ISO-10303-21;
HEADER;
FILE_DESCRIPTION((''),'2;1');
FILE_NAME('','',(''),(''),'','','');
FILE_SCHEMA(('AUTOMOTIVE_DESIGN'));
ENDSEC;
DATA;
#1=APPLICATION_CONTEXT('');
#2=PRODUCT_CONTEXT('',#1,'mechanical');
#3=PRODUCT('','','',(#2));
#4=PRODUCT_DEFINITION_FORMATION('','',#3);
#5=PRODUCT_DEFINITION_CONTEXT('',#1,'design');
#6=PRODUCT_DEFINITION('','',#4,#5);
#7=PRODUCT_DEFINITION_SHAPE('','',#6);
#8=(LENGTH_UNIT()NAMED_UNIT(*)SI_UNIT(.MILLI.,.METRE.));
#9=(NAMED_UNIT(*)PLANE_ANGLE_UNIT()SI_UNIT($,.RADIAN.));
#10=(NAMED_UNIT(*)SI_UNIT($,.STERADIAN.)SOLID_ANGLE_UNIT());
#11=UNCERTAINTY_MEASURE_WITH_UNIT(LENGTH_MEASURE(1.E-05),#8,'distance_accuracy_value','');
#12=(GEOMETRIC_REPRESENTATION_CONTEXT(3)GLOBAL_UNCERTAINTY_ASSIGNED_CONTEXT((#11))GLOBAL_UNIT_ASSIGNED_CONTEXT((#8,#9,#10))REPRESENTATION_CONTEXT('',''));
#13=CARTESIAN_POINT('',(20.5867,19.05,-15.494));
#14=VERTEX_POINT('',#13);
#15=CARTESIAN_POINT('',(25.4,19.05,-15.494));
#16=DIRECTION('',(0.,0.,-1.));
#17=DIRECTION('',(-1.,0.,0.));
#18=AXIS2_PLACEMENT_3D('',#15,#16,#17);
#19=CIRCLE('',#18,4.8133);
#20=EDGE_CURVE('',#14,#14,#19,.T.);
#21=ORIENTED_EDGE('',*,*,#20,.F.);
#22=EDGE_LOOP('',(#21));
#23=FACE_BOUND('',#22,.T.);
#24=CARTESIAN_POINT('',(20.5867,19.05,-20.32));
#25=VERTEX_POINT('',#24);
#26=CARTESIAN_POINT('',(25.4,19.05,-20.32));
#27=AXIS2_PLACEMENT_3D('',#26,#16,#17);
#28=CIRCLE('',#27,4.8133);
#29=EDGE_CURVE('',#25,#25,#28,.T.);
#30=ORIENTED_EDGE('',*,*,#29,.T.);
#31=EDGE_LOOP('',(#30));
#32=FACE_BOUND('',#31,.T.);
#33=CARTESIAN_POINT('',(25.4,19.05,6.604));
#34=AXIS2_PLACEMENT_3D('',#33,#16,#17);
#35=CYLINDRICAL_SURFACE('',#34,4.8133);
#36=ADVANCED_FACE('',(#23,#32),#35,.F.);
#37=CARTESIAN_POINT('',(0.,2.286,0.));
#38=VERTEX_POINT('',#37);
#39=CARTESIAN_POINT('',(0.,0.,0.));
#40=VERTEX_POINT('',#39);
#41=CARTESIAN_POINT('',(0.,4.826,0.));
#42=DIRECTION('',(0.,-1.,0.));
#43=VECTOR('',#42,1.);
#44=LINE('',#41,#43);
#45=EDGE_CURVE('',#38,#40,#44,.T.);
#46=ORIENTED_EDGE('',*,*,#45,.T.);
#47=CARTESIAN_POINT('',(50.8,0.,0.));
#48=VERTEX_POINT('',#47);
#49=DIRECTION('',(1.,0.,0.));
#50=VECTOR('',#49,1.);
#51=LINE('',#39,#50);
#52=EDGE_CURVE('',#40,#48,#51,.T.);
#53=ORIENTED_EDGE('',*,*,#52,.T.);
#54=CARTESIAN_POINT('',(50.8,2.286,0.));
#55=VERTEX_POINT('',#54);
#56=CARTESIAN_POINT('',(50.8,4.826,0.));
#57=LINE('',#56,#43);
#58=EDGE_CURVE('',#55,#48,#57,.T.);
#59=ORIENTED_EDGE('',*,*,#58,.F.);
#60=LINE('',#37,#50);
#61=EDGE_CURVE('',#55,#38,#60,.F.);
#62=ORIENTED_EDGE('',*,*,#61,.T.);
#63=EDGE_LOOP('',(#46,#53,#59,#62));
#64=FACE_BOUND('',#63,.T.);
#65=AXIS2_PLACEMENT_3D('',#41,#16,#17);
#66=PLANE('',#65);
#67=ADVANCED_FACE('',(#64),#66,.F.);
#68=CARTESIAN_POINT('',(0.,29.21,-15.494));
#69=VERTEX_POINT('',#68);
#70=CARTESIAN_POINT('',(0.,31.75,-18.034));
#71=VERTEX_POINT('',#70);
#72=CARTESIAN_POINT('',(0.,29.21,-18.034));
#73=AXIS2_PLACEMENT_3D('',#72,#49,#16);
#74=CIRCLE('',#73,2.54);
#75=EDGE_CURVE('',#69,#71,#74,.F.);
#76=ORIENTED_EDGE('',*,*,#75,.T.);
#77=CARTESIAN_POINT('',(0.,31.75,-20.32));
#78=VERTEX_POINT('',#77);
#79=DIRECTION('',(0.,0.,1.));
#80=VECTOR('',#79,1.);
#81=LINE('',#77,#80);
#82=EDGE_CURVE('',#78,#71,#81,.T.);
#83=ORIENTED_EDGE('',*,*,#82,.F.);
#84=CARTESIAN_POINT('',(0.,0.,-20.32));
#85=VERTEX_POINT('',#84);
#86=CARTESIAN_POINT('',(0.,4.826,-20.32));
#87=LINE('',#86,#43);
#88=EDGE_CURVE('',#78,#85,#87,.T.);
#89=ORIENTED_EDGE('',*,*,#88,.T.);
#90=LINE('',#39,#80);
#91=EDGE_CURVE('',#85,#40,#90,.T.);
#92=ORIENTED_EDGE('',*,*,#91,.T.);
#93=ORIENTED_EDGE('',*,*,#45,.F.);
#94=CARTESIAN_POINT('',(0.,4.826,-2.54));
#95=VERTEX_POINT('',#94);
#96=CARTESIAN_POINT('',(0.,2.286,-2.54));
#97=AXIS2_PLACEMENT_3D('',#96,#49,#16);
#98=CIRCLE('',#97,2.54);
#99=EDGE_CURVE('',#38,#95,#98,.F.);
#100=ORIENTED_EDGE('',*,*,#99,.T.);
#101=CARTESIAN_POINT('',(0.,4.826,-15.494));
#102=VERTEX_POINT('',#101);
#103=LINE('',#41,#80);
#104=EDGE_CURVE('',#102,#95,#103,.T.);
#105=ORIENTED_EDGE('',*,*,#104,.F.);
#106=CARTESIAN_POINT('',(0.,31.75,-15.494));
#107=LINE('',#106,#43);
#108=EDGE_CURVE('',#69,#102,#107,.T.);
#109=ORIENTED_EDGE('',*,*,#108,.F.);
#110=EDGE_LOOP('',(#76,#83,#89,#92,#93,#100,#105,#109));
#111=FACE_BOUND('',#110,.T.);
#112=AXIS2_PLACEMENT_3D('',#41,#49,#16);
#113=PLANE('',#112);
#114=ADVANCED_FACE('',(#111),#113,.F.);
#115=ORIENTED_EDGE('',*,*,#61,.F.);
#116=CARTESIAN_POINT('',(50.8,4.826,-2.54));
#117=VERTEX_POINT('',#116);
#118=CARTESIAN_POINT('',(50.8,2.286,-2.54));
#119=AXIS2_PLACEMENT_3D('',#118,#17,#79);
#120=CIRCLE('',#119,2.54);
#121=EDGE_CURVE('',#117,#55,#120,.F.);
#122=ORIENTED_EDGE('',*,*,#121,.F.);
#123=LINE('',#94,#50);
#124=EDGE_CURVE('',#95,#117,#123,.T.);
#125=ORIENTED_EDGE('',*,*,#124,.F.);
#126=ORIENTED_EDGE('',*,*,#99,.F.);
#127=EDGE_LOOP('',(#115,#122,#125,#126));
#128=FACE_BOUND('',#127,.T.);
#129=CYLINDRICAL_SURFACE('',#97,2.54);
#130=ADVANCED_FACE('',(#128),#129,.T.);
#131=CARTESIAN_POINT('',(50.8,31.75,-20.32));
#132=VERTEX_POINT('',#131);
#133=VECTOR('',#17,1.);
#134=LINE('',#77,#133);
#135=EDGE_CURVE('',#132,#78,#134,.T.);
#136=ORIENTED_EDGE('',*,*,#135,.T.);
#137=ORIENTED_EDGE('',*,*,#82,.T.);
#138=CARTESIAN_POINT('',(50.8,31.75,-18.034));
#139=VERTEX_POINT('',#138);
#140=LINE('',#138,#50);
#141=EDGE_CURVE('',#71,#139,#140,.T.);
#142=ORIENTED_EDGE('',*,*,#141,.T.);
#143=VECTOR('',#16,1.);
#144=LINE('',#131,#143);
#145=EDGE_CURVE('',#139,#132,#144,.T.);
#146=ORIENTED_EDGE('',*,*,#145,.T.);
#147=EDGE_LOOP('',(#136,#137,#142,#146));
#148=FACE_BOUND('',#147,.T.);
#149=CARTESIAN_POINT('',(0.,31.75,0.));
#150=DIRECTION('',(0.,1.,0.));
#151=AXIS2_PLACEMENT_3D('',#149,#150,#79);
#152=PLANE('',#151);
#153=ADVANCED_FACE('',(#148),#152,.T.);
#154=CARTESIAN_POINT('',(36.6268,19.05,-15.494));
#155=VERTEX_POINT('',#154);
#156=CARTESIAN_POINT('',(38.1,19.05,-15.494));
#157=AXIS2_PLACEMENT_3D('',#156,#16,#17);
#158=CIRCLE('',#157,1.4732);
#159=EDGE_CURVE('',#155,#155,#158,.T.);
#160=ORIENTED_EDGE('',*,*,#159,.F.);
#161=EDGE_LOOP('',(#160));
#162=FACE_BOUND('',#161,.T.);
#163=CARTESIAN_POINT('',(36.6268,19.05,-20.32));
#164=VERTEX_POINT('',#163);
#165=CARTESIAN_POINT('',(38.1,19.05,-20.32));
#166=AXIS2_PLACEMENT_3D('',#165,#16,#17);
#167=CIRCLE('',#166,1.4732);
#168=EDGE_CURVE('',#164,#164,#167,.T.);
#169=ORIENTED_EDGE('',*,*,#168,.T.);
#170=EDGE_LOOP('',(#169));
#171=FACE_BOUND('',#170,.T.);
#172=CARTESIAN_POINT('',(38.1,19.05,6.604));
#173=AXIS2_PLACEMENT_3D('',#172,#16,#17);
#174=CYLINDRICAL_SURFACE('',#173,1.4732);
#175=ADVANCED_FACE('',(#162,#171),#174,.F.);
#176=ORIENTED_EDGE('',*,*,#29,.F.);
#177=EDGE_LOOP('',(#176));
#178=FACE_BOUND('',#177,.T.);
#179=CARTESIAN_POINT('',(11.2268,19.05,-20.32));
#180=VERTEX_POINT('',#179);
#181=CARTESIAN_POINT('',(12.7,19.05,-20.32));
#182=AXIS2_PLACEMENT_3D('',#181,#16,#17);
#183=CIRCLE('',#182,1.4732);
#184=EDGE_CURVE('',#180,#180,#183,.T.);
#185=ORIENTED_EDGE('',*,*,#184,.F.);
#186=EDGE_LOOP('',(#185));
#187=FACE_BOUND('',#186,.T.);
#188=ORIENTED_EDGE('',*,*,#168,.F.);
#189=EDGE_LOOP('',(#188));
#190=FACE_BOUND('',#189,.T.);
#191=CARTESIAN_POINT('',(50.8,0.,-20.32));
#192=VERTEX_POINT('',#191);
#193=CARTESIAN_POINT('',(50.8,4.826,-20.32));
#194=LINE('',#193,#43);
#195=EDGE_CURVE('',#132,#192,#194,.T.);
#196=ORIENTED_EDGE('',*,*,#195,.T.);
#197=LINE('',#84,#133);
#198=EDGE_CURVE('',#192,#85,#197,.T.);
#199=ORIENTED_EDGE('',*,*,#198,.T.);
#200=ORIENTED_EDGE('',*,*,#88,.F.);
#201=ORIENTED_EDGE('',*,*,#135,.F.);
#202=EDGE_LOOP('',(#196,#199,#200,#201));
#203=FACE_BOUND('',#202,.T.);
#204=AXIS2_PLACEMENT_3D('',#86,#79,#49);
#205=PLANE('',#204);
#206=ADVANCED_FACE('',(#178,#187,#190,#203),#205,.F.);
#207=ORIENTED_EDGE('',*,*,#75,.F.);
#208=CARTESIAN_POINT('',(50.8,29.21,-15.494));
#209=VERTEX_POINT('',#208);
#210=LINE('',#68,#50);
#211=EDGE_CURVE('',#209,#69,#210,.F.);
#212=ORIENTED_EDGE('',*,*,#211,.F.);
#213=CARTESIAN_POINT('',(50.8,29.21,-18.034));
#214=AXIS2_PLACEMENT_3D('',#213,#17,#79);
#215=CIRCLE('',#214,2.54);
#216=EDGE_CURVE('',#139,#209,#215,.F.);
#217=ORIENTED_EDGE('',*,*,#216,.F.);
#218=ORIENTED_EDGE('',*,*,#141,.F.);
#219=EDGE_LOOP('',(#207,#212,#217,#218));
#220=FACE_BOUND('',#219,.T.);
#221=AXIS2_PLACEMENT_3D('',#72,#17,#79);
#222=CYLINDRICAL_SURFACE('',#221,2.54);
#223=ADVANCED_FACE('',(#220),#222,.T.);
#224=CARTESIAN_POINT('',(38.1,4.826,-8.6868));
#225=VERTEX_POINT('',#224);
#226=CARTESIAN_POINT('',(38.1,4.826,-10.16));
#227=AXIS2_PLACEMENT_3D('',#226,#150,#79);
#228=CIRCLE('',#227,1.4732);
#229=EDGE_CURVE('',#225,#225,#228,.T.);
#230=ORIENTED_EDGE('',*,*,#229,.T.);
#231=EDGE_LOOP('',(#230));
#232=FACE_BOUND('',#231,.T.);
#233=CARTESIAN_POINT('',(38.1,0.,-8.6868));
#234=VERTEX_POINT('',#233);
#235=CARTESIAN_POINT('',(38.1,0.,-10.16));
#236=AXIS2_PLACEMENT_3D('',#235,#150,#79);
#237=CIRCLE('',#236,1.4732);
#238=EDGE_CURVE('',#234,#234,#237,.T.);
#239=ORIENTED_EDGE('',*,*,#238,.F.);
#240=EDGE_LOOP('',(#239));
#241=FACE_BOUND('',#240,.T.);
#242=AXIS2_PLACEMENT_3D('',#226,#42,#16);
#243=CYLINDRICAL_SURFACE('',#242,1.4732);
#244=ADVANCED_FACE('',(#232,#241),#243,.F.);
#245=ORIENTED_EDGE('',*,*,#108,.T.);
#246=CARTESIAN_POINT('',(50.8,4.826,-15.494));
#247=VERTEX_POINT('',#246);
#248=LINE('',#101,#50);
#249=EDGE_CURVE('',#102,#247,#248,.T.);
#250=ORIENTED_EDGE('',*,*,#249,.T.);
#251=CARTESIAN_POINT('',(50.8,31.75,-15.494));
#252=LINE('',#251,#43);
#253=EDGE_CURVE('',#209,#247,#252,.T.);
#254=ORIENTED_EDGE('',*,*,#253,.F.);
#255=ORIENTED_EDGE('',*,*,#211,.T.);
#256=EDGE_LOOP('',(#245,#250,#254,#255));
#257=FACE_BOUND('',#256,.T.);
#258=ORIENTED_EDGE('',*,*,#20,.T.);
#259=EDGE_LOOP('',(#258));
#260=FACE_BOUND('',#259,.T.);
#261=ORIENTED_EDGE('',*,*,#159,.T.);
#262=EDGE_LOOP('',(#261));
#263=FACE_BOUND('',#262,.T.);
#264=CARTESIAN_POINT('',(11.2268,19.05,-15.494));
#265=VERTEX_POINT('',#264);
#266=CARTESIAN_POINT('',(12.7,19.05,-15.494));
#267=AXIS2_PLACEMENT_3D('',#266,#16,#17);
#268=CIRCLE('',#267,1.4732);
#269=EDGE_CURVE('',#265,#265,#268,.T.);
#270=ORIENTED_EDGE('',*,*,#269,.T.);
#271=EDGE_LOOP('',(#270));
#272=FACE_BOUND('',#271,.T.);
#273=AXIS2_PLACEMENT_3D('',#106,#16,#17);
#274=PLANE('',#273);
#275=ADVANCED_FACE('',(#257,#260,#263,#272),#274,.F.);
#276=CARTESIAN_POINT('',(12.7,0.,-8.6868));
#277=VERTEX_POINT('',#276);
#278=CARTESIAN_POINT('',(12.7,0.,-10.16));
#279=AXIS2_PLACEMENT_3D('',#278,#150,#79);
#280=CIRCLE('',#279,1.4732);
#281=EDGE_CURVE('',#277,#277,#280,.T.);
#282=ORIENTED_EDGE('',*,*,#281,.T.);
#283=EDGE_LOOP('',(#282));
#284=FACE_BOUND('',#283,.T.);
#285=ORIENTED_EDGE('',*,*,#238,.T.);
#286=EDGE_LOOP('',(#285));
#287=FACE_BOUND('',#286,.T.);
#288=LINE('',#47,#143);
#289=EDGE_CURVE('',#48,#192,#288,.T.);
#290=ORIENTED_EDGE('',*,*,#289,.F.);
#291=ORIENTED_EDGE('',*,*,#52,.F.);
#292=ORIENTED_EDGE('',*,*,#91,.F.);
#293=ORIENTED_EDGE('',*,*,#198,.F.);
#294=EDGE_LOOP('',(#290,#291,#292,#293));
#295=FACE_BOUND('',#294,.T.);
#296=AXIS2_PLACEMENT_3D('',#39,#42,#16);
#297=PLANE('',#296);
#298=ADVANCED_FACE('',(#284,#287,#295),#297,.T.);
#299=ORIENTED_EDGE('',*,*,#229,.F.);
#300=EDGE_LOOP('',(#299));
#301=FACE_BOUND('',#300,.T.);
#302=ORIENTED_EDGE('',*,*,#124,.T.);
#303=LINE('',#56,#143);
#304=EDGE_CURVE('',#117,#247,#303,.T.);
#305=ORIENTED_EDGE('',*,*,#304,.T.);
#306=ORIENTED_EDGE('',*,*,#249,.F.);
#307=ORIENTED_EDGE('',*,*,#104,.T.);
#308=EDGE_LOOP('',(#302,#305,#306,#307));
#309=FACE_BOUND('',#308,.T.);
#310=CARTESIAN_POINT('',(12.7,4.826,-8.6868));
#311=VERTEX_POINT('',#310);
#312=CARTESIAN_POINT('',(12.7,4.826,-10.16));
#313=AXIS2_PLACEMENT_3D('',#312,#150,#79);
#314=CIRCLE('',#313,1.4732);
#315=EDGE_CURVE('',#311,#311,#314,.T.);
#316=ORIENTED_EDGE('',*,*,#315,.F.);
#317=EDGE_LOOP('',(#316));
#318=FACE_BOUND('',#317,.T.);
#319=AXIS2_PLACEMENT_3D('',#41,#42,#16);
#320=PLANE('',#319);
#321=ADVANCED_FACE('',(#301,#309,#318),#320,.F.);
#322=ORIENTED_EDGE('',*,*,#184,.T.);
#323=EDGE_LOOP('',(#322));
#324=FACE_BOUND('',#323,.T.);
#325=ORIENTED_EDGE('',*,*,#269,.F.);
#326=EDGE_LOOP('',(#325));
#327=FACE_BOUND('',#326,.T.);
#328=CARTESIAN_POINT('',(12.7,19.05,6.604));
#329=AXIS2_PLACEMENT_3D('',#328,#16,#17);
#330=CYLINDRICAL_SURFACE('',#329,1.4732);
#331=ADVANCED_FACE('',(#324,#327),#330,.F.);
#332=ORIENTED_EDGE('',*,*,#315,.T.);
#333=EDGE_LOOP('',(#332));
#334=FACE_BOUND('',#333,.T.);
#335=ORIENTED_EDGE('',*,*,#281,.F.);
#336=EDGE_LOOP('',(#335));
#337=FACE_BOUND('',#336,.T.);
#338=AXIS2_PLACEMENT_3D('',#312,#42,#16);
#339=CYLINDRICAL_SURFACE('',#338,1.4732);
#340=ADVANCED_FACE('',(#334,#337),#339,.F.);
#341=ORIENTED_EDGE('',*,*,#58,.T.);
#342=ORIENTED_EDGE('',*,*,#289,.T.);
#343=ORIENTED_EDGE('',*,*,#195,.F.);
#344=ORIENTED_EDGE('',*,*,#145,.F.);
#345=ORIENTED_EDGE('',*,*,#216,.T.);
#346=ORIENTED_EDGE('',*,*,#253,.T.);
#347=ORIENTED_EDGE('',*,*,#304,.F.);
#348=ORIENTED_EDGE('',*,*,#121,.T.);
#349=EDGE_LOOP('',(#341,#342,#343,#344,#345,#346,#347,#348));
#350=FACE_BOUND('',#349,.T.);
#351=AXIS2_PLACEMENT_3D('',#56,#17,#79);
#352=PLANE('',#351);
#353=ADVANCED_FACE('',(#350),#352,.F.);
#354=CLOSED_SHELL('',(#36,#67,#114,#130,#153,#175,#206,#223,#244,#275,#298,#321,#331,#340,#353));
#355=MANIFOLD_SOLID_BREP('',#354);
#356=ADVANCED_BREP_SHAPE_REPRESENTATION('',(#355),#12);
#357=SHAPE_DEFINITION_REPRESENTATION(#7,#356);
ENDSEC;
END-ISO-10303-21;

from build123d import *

# Parameters (mm, degrees)
SKETCH1_W           = 50.8
SKETCH1_H           = 20.32
SKETCH1_R           = 1.4732
BOSS_EXTRUDE1_DEPTH = 4.826
SKETCH2_W           = 50.8
SKETCH2_H           = 4.826
BOSS_EXTRUDE2_DEPTH = 26.924
FILLET1_R           = 2.54
SKETCH3_R           = 1.4732
SKETCH3_R_2         = 4.8133
CUT_EXTRUDE1_DEPTH  = 26.924


with BuildPart() as part:
    # Sketch1 → Boss-Extrude1 (new body)
    with BuildSketch(Plane(origin=(0, 0, 0), x_dir=(1, 0, 0), z_dir=(0, 1, 0))):
        with Locations((25.4, 10.16)):
            Rectangle(SKETCH1_W, SKETCH1_H)
        with Locations(Location((12.7, 10.16, 0), (0, 0, 270))):
            Circle(SKETCH1_R, mode=Mode.SUBTRACT)
        with Locations(Location((38.1, 10.16, 0), (0, 0, 270))):
            Circle(SKETCH1_R, mode=Mode.SUBTRACT)
    extrude(amount=BOSS_EXTRUDE1_DEPTH)

    # Sketch2 → Boss-Extrude2 (add)
    with BuildSketch(Plane(origin=(0, 4.826, 0), x_dir=(1, 0, 0), z_dir=(0, 1, 0))):
        with Locations((25.4, 17.907)):
            Rectangle(SKETCH2_W, SKETCH2_H)
    extrude(amount=BOSS_EXTRUDE2_DEPTH)

    # Fillet1
    fillet1_edges = [part.edges().sort_by_distance(p)[0] for p in [
        (25.4, 31.75, -15.494),
        (25.4, 4.826, 0),
    ]]
    fillet(fillet1_edges, radius=FILLET1_R)

    # Sketch3 → Cut-Extrude1 (cut)
    with BuildSketch(Plane(origin=(0, 0, -20.32), x_dir=(-1, 0, 0), z_dir=(0, 0, -1))):
        with Locations((-38.1, 19.05)):
            Circle(SKETCH3_R)
        with Locations((-12.7, 19.05)):
            Circle(SKETCH3_R)
        with Locations((-25.4, 19.05)):
            Circle(SKETCH3_R_2)
    extrude(amount=-CUT_EXTRUDE1_DEPTH, mode=Mode.SUBTRACT)


solid = part.part
